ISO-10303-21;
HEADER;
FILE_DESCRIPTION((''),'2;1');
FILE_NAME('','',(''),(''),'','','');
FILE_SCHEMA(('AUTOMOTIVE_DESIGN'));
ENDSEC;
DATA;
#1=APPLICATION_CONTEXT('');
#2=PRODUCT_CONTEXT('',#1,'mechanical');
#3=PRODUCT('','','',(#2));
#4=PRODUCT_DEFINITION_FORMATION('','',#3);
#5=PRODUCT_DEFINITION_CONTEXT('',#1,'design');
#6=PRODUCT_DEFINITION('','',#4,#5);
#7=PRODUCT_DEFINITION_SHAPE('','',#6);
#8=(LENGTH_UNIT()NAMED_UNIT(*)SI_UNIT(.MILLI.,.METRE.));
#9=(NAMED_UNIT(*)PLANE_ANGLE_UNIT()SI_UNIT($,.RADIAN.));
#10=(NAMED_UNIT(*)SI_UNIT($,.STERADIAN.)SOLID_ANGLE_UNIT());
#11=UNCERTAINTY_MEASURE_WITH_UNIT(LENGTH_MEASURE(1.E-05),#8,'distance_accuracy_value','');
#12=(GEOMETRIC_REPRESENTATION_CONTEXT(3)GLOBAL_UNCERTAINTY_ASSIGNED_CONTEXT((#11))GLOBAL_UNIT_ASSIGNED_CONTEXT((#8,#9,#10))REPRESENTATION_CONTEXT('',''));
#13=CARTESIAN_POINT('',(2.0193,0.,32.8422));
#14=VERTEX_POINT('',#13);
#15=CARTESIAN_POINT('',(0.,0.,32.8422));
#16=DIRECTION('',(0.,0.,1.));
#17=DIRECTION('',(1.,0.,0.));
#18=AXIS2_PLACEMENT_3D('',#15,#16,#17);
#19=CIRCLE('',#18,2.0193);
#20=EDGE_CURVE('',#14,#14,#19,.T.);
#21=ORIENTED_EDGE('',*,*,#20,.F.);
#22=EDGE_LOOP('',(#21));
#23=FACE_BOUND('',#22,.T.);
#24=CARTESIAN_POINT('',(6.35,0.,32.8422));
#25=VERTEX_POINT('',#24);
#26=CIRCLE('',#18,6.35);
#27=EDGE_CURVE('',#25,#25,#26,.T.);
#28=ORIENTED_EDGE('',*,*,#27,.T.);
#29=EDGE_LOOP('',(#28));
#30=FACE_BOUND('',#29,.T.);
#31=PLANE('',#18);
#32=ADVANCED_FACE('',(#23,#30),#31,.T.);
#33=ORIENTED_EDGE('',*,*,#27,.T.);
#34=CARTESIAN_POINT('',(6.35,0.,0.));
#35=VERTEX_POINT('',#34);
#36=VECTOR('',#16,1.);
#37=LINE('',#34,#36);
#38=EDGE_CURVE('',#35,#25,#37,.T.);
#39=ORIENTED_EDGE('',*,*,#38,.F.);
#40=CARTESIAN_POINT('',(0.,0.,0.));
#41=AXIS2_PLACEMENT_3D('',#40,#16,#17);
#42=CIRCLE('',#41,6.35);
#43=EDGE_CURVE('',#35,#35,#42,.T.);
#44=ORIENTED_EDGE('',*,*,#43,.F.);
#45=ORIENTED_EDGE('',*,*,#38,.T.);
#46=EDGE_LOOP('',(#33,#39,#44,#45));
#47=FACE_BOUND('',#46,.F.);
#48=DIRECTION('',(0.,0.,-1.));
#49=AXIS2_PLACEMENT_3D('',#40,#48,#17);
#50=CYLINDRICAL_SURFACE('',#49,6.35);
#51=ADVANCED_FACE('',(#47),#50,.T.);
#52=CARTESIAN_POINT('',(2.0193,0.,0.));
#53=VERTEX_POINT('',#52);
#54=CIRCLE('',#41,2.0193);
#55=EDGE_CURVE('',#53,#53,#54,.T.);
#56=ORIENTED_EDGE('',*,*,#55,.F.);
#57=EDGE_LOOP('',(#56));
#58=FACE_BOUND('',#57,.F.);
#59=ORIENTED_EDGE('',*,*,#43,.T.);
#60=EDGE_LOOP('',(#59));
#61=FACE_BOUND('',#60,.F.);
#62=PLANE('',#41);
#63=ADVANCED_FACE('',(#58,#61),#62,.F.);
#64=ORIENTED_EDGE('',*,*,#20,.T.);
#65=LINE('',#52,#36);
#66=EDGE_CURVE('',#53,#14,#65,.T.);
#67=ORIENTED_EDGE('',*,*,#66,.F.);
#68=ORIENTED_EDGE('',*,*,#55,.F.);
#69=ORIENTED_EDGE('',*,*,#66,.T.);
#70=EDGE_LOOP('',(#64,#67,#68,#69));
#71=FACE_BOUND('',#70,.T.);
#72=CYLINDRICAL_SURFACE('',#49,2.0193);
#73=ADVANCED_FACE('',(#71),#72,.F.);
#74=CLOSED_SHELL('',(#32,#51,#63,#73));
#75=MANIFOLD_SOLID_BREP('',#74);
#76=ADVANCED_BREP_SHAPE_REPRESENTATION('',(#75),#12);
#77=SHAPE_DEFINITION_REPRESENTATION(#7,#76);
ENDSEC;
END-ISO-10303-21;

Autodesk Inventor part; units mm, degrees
ref_plane "YZ Plane" through (0, 0, 0) normal (1, 0, 0) x (0, 1, 0)
ref_plane "XZ Plane" through (0, 0, 0) normal (0, 1, 0) x (-1, 0, 0)
ref_plane "XY Plane" through (0, 0, 0) normal (0, 0, 1) x (1, 0, 0)
sketch "Sketch1" plane through (0, 0, 0) normal (0, 0, 1) x (1, 0, 0)
  circle A0 centre (0, 0) radius 2.0193
  circle A1 centre (0, 0) radius 6.35
  dimension "d0" = 4.0386
  dimension "d1" = 12.7
extrude "Extrusion1" add sketch "Sketch1" along normal blind 32.8422
thread "Thread1" size "8-32 UNC" class "2B" standard "ANSI Unified Screw Threads" full length
properties part number "standoff" material "Aluminum 6061"
